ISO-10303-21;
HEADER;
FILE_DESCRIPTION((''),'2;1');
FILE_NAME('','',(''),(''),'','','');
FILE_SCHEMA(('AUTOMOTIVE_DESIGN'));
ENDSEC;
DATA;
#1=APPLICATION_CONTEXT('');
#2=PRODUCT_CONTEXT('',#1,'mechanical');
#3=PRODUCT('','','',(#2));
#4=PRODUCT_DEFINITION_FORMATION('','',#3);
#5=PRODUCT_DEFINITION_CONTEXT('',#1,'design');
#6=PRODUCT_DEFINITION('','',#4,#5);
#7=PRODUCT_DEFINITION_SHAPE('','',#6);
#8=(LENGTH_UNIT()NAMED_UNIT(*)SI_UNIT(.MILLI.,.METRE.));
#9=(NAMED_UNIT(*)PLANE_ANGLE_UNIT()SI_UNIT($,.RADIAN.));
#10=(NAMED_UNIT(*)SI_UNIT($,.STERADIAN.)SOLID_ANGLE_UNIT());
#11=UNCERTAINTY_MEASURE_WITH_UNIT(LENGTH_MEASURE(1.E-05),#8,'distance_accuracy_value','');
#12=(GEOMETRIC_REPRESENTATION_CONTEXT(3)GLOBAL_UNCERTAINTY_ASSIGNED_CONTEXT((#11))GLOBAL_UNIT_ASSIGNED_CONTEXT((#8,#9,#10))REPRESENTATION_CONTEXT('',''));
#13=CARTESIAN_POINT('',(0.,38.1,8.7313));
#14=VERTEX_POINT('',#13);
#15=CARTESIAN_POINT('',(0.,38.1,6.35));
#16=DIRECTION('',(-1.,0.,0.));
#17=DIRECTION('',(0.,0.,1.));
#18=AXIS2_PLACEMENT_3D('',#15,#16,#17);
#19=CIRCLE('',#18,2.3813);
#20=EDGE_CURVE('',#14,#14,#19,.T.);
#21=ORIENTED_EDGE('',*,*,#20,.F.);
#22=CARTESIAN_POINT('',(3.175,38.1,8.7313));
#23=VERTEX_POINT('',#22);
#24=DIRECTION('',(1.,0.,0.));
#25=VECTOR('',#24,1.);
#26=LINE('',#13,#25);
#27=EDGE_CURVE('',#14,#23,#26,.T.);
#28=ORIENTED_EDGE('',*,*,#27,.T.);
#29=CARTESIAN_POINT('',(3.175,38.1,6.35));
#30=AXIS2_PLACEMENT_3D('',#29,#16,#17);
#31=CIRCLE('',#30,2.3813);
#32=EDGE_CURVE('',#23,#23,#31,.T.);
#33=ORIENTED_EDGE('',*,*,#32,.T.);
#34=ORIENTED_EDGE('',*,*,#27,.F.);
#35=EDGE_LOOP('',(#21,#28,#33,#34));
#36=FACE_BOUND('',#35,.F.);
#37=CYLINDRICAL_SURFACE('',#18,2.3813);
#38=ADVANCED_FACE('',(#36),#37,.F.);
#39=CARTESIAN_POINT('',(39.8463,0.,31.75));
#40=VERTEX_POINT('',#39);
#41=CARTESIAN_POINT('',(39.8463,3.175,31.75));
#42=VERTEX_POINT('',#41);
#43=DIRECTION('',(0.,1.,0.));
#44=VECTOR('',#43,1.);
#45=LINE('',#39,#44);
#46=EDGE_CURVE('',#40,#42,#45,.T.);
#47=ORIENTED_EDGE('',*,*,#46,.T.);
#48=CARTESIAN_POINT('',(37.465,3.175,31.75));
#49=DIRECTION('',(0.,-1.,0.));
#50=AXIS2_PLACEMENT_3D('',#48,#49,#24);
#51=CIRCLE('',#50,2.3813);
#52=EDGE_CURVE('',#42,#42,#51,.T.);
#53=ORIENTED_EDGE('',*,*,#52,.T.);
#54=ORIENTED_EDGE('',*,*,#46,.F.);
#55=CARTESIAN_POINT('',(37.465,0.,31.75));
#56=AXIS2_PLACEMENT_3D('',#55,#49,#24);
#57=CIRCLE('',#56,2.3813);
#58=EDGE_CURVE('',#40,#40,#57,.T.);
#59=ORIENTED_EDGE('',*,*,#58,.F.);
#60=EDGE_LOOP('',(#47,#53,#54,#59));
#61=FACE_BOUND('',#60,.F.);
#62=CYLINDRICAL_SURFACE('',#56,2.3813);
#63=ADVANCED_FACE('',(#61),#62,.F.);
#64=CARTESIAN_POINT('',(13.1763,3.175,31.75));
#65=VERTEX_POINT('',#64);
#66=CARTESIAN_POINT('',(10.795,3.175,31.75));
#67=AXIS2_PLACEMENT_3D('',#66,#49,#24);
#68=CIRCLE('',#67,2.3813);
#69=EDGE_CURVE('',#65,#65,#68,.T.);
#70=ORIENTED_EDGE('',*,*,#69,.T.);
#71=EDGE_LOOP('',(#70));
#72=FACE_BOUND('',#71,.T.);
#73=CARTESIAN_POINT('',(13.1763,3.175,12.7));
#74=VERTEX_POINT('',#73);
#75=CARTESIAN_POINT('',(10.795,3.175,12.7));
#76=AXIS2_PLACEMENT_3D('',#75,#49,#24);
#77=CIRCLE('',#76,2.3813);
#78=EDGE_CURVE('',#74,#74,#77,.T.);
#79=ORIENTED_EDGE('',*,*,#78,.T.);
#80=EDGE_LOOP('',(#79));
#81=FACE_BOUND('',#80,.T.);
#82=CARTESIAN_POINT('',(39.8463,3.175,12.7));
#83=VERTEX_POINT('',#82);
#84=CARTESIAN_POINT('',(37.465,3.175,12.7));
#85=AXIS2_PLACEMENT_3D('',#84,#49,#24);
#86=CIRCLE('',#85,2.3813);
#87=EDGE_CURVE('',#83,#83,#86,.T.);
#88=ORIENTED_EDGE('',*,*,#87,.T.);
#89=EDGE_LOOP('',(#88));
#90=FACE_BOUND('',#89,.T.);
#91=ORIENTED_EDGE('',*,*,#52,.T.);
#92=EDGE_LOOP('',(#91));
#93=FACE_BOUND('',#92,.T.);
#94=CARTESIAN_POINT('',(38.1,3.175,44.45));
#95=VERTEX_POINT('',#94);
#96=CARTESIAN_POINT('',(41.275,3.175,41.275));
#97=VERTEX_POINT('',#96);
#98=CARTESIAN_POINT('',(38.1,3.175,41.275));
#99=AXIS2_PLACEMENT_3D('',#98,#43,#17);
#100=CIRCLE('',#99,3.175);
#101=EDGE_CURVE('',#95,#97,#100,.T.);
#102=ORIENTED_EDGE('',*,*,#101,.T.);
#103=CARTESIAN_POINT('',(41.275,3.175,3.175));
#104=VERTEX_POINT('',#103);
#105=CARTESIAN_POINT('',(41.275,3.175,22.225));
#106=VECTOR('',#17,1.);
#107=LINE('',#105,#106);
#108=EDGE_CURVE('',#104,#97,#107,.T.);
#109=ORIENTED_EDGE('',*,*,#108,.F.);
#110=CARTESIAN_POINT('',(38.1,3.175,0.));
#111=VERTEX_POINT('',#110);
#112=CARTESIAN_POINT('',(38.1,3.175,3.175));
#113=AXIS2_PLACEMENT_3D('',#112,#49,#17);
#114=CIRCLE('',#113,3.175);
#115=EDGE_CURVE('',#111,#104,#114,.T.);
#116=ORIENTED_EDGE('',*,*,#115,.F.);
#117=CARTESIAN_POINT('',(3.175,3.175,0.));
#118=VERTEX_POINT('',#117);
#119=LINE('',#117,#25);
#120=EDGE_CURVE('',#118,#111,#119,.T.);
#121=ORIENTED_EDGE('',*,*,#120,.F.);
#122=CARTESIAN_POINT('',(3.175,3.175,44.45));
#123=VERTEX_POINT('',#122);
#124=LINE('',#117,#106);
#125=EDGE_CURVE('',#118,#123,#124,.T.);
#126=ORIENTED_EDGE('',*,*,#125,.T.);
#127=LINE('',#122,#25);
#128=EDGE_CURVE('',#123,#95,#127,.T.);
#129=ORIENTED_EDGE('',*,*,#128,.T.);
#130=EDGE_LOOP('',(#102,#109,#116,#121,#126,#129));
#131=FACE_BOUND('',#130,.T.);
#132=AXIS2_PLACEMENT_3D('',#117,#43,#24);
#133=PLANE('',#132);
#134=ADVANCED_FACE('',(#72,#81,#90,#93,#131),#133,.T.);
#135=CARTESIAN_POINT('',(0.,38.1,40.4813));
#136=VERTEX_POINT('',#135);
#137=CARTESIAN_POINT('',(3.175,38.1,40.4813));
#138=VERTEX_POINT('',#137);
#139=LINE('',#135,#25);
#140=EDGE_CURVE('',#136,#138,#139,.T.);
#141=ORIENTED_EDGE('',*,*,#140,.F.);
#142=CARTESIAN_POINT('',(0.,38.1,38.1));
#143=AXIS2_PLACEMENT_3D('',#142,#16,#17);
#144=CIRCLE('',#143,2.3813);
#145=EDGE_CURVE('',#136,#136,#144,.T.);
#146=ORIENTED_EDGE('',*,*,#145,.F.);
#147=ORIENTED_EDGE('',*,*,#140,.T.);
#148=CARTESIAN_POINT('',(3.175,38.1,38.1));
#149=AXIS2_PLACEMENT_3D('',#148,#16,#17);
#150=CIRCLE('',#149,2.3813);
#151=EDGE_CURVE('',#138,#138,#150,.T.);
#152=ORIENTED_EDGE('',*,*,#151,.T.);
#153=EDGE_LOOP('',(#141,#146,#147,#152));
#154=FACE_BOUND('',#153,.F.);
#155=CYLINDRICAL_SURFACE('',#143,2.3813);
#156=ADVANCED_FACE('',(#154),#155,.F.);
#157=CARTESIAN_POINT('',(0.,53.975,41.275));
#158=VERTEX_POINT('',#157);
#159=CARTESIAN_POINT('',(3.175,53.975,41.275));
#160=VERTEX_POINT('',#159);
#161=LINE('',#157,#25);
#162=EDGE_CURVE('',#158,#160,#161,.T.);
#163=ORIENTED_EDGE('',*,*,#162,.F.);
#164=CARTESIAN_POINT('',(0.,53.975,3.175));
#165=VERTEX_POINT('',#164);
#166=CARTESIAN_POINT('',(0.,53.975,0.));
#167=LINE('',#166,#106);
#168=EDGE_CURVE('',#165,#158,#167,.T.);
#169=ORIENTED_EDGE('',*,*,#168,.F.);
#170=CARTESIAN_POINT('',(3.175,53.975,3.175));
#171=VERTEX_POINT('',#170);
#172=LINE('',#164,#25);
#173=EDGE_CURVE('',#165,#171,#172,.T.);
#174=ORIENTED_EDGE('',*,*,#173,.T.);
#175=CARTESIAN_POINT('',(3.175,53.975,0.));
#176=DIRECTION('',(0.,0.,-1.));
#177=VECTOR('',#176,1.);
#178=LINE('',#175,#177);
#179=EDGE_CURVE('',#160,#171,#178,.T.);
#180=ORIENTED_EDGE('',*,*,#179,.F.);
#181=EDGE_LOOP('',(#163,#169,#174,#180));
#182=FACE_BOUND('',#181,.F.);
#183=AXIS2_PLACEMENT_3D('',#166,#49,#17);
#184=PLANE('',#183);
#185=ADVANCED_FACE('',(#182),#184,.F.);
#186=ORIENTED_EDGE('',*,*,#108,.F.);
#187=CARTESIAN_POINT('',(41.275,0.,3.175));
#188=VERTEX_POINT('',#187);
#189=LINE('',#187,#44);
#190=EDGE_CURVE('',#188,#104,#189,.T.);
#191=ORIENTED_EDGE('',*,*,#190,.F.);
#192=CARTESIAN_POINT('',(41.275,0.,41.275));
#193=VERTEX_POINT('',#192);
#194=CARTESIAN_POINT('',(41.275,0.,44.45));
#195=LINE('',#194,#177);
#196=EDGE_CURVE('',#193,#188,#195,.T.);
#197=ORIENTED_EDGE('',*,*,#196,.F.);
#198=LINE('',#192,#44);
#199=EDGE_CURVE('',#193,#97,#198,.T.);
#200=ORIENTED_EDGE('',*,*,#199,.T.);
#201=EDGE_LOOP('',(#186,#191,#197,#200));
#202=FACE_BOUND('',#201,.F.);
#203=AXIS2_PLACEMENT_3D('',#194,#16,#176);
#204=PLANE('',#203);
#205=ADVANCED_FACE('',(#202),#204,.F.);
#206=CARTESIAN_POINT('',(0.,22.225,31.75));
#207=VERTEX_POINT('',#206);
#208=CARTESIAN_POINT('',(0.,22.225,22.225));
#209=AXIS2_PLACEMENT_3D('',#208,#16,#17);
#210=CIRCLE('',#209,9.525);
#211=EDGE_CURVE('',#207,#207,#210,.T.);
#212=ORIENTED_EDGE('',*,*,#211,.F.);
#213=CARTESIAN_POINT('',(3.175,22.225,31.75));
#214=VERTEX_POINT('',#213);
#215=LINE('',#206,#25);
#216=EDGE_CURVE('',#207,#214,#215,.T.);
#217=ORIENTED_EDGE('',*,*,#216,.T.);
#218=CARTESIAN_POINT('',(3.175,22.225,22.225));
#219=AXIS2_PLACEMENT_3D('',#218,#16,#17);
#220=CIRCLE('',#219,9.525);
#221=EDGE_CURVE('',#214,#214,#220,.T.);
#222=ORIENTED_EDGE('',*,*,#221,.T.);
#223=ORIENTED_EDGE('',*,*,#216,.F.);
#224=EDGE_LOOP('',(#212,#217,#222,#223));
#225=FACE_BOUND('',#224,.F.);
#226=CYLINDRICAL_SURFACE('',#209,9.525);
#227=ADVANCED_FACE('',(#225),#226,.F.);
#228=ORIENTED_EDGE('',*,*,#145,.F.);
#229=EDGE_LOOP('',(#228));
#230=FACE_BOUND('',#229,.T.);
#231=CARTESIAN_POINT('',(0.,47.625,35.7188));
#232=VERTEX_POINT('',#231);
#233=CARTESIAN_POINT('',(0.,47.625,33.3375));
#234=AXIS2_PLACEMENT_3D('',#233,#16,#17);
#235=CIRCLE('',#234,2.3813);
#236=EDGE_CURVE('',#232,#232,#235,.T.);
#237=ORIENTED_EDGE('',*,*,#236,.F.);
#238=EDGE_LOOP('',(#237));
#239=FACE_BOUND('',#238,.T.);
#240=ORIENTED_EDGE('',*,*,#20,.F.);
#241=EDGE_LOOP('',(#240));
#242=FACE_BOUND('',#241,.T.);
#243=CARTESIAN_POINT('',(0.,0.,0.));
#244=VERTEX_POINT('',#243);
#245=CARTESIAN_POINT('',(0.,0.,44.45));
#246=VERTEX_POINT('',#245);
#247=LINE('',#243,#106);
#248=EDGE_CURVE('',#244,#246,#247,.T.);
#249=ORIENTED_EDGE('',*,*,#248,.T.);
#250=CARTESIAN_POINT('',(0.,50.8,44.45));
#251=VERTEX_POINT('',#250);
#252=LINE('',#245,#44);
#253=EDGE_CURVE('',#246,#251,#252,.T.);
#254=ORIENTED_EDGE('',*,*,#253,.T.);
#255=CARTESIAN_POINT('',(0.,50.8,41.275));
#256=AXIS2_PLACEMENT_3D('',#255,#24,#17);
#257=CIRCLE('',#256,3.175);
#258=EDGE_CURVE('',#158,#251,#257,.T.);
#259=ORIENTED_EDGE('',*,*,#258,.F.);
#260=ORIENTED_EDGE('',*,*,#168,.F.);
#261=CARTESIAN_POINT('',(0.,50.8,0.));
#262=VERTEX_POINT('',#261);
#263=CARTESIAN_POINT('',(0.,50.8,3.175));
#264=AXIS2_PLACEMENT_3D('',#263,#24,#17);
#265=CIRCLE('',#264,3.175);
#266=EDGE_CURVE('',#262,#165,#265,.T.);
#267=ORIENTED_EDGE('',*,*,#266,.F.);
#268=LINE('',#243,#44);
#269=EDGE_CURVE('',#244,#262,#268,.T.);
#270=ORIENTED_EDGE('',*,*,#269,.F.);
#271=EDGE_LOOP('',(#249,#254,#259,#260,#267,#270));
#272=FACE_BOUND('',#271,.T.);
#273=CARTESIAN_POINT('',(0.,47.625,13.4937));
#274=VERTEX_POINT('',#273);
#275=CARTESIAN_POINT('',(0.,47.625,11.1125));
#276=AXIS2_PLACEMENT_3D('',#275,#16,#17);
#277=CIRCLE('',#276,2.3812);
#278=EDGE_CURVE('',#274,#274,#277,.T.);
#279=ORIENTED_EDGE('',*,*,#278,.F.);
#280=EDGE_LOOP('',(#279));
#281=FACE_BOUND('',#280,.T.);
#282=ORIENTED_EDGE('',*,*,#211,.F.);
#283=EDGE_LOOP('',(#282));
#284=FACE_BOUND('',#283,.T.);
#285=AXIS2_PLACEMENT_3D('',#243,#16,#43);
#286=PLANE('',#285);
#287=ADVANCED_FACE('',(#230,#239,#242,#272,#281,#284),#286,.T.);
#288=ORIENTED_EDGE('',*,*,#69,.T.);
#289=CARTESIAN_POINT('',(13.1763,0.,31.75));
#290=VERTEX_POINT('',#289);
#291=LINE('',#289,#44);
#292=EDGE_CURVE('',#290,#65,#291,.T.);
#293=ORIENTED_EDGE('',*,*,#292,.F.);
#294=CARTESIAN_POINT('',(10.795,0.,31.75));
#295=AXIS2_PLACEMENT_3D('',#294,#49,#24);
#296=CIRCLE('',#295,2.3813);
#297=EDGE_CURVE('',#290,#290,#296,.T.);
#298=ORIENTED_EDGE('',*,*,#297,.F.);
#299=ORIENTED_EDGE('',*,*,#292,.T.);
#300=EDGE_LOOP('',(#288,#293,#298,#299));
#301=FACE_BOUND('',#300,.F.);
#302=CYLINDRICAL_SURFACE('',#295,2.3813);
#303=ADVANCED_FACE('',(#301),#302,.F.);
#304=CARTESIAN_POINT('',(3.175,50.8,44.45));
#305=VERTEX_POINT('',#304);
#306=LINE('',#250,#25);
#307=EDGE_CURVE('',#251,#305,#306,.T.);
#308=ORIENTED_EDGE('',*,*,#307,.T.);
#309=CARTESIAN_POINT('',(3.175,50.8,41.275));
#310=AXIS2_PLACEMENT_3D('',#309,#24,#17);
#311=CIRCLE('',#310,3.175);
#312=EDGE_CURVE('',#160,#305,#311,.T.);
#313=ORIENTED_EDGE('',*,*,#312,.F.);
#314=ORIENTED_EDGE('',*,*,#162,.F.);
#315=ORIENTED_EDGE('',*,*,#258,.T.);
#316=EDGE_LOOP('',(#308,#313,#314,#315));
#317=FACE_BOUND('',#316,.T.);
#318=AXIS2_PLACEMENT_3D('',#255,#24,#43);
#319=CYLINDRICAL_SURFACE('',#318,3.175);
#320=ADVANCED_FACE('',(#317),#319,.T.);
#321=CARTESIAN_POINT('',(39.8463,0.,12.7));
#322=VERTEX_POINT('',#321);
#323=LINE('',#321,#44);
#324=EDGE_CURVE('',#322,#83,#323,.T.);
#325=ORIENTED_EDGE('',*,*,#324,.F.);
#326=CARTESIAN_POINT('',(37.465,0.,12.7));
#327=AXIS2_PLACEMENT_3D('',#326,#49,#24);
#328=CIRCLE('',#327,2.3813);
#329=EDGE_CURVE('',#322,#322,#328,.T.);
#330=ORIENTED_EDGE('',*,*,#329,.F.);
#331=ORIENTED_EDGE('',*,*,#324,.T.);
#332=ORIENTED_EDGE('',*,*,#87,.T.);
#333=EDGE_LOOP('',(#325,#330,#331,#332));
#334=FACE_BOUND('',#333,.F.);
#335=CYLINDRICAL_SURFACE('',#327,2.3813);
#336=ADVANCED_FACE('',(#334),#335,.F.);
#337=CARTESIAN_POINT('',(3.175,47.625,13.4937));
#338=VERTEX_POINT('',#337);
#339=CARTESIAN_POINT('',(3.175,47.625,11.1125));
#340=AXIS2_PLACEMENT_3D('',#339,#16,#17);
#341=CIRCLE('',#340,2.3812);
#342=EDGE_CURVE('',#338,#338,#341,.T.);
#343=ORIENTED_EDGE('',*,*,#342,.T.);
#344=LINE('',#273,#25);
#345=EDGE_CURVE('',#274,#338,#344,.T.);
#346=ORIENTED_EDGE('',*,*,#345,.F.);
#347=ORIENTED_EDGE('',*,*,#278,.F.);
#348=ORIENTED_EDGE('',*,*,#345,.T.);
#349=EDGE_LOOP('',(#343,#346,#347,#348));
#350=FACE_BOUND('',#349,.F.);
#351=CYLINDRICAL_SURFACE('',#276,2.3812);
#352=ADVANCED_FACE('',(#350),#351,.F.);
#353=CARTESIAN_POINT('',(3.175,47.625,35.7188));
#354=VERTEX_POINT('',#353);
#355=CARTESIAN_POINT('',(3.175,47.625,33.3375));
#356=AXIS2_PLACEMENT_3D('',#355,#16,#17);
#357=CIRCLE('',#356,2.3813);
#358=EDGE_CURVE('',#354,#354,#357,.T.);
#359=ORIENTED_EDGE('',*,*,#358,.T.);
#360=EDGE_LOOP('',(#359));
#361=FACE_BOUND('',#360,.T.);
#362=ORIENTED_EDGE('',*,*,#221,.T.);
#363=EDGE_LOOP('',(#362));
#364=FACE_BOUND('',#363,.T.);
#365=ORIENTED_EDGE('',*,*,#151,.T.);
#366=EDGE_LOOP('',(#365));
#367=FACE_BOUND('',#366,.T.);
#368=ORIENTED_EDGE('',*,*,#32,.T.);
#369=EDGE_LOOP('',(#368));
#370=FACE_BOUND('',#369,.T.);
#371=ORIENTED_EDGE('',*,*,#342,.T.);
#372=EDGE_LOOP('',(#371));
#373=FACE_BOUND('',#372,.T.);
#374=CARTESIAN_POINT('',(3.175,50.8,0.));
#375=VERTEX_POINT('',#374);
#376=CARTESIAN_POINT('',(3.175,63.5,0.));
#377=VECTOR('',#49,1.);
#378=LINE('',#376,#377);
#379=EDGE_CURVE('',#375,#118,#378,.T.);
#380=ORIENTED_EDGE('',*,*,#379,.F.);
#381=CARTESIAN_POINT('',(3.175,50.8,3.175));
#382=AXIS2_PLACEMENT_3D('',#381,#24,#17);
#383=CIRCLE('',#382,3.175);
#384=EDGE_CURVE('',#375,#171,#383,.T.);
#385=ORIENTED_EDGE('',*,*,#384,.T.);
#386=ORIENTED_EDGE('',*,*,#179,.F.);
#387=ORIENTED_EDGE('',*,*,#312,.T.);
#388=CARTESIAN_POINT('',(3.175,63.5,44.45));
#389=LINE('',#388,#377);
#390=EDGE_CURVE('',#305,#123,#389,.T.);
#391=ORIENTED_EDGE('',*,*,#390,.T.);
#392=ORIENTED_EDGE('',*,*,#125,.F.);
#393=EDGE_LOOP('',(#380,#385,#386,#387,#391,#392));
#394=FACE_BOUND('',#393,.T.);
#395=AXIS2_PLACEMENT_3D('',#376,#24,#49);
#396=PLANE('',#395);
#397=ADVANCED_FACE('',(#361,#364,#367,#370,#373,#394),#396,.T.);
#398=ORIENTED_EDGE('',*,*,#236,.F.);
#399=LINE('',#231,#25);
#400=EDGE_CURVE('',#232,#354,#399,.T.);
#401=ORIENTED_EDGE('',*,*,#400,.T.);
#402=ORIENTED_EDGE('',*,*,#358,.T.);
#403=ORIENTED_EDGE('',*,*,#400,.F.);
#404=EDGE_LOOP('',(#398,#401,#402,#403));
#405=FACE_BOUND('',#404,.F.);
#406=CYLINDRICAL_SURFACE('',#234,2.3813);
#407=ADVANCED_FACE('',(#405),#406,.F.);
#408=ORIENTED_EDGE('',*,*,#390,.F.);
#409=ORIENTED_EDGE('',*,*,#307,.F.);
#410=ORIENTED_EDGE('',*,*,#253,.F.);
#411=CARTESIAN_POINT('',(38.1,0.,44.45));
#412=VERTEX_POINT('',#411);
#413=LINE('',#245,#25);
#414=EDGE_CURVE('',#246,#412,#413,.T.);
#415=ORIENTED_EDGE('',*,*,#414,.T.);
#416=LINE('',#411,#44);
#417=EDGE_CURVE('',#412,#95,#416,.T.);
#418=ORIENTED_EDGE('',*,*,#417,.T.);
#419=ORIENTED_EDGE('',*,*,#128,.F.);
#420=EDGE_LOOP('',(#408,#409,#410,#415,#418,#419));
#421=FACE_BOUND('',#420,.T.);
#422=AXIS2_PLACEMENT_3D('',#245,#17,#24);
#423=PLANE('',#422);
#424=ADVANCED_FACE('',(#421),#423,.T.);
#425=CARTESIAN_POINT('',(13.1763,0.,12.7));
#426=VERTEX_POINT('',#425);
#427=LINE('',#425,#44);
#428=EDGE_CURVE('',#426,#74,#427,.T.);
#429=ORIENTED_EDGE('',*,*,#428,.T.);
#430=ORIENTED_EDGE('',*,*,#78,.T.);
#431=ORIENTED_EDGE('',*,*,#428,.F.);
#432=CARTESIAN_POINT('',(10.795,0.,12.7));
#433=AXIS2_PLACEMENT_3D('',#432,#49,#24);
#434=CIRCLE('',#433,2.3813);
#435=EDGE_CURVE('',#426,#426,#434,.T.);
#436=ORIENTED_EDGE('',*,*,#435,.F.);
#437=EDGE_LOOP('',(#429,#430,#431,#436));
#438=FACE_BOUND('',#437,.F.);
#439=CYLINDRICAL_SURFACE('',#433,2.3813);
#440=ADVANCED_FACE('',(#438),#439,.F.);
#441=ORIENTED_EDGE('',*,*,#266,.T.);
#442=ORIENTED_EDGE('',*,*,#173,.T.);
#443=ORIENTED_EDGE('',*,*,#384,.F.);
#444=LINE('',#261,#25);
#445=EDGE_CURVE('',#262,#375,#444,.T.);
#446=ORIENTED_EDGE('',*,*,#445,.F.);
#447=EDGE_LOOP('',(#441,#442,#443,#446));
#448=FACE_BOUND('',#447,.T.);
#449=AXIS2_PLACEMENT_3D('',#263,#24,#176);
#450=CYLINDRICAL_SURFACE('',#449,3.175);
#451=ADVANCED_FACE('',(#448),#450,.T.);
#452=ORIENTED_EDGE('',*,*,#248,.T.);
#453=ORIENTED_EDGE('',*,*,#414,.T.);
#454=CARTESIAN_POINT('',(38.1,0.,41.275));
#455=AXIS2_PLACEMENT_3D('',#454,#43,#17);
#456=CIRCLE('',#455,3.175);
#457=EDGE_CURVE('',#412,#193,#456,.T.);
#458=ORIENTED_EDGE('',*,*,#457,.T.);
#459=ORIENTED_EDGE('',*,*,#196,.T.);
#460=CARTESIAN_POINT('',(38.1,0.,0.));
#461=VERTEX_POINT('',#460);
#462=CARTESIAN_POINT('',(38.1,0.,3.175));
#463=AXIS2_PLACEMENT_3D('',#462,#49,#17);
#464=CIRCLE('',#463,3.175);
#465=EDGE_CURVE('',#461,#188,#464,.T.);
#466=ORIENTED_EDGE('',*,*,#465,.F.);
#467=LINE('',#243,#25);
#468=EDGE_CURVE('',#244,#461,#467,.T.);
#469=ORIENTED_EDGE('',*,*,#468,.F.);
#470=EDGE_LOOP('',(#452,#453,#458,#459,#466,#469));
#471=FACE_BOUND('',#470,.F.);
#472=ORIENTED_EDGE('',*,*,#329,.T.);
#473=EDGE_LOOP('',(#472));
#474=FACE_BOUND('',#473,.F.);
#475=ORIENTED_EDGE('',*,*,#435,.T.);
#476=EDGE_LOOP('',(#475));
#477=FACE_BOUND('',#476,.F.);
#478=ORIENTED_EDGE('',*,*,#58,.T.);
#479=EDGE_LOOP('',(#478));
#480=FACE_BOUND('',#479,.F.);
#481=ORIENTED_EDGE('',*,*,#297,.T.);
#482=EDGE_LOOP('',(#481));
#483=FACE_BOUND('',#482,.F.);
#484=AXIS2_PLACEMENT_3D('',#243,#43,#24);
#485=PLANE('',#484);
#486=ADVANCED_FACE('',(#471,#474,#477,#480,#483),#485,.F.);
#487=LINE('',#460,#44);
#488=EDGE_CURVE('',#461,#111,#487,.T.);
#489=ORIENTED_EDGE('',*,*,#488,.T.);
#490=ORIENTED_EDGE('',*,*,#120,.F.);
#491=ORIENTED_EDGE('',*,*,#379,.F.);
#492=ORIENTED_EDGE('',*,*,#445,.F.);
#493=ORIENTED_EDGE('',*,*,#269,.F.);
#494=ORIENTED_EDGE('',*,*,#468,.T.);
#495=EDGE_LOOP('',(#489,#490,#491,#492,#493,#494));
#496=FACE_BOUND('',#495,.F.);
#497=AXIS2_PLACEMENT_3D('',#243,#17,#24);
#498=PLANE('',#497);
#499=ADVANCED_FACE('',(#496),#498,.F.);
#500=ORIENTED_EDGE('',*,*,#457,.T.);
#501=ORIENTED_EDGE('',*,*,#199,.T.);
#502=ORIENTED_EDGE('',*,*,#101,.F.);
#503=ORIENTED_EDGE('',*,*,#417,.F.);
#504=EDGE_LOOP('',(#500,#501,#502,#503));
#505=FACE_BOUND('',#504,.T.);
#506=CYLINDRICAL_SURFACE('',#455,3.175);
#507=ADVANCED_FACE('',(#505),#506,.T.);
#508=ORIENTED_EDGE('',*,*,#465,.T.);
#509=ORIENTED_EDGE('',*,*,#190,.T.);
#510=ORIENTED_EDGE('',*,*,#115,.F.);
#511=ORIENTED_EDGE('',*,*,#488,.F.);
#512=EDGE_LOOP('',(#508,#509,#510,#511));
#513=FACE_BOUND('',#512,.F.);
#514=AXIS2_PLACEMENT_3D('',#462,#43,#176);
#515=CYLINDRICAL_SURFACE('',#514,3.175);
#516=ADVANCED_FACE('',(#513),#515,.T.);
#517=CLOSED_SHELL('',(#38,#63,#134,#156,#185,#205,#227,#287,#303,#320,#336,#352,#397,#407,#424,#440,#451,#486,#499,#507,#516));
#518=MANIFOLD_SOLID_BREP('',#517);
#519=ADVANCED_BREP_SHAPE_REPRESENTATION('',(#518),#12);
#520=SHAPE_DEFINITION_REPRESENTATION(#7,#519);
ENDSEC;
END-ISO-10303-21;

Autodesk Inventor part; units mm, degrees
ref_plane "YZ Plane" through (0, 0, 0) normal (1, 0, 0) x (0, 1, 0)
ref_plane "XZ Plane" through (0, 0, 0) normal (0, 1, 0) x (-1, 0, 0)
ref_plane "XY Plane" through (0, 0, 0) normal (0, 0, 1) x (1, 0, 0)
sketch "Sketch1" plane through (0, 0, 0) normal (0, 0, 1) x (1, 0, 0)
  line L0 (0, 0) -> (50.8, 0)
  line L1 (0, 0) -> (0, 63.5)
  line L2 (0, 63.5) -> (3.175, 63.5)
  line L3 (3.175, 63.5) -> (3.175, 3.175)
  line L4 (3.175, 3.175) -> (50.8, 3.175)
  line L5 (50.8, 3.175) -> (50.8, 0)
  dimension "d0" = 50.8
  dimension "d1" = 63.5
  dimension "d2" = 3.175
extrude "Extrusion1" add sketch "Sketch1" along normal blind 44.45
sketch "Sketch2" plane through (0, 0, 0) normal (-1, 0, 0) x (0, 0, 1)
  line L0 (0, 0) -> (44.45, 0) projected
  line L1 (0, 63.5) -> (44.45, 63.5) projected
  line L2 (22.225, 63.5) -> (22.225, 0) construction
  line L3 (11.1125, 47.625) -> (33.3375, 47.625) construction
  circle A0 centre (11.1125, 47.625) radius 2.3812
  circle A1 centre (33.3375, 47.625) radius 2.3813
  circle A2 centre (22.225, 22.225) radius 9.525
  line L4 (0, 63.5) -> (0, 0) projected
  line L5 (44.45, 63.5) -> (44.45, 0) projected
  line L6 (0, 53.975) -> (44.45, 53.975)
  line L7 (6.35, 38.1) -> (38.1, 38.1) construction
  circle A3 centre (6.35, 38.1) radius 2.3813
  circle A4 centre (38.1, 38.1) radius 2.3813
  point P0 (22.225, 47.625)
  point P1 (22.225, 38.1)
  dimension "d5" = 22.225
  dimension "d6" = 15.875
  dimension "d7" = 4.7625
  dimension "d8" = 4.7625
  dimension "d11" = 19.05
  dimension "d12" = 22.225
  dimension "d30" = 9.525
  dimension "d31" = 15.875
  dimension "d32" = 31.75
extrude "Extrusion2" cut sketch "Sketch2" against normal blind 38.1 contours L4 L1 L5 L6 | A0 | A1 | A2 | A3 | A4
sketch "Sketch3" plane through (0, 0, 0) normal (0, -1, 0) x (1, 0, 0)
  line L0 (50.8, 0) -> (50.8, 44.45) projected
  line L1 (0, 0) -> (0, 44.45) projected
  circle A0 centre (10.795, 31.75) radius 2.3813
  line L2 (10.795, 31.75) -> (10.795, 12.7) construction
  circle A1 centre (10.795, 12.7) radius 2.3813
  line L3 (0, 22.225) -> (50.8, 22.225) construction
  line L4 (0, 0) -> (50.8, 0) projected
  line L5 (0, 44.45) -> (50.8, 44.45) projected
  line L6 (41.275, 44.45) -> (41.275, 0)
  circle A2 centre (37.465, 31.75) radius 2.3813
  circle A3 centre (37.465, 12.7) radius 2.3813
  point P0 (10.795, 22.225)
  dimension "d13" = 19.05
  dimension "d17" = 4.7625
  dimension "d18" = 10.795
  dimension "d21" = 41.275
  dimension "d24" = 26.67
extrude "Extrusion3" cut sketch "Sketch3" against normal blind 25.4 contours L4 L6 L5 L0 | A0 | A1 | A2 | A3
fillet "Fillet1" radius 3.175 4 edges at (41.275, 1.5875, 44.45) (41.275, 1.5875, 0) (1.5875, 53.975, 44.45) (1.5875, 53.975, 0)
properties part number "Angle Aluminum P60 Mount" material "Aluminum 6061"
